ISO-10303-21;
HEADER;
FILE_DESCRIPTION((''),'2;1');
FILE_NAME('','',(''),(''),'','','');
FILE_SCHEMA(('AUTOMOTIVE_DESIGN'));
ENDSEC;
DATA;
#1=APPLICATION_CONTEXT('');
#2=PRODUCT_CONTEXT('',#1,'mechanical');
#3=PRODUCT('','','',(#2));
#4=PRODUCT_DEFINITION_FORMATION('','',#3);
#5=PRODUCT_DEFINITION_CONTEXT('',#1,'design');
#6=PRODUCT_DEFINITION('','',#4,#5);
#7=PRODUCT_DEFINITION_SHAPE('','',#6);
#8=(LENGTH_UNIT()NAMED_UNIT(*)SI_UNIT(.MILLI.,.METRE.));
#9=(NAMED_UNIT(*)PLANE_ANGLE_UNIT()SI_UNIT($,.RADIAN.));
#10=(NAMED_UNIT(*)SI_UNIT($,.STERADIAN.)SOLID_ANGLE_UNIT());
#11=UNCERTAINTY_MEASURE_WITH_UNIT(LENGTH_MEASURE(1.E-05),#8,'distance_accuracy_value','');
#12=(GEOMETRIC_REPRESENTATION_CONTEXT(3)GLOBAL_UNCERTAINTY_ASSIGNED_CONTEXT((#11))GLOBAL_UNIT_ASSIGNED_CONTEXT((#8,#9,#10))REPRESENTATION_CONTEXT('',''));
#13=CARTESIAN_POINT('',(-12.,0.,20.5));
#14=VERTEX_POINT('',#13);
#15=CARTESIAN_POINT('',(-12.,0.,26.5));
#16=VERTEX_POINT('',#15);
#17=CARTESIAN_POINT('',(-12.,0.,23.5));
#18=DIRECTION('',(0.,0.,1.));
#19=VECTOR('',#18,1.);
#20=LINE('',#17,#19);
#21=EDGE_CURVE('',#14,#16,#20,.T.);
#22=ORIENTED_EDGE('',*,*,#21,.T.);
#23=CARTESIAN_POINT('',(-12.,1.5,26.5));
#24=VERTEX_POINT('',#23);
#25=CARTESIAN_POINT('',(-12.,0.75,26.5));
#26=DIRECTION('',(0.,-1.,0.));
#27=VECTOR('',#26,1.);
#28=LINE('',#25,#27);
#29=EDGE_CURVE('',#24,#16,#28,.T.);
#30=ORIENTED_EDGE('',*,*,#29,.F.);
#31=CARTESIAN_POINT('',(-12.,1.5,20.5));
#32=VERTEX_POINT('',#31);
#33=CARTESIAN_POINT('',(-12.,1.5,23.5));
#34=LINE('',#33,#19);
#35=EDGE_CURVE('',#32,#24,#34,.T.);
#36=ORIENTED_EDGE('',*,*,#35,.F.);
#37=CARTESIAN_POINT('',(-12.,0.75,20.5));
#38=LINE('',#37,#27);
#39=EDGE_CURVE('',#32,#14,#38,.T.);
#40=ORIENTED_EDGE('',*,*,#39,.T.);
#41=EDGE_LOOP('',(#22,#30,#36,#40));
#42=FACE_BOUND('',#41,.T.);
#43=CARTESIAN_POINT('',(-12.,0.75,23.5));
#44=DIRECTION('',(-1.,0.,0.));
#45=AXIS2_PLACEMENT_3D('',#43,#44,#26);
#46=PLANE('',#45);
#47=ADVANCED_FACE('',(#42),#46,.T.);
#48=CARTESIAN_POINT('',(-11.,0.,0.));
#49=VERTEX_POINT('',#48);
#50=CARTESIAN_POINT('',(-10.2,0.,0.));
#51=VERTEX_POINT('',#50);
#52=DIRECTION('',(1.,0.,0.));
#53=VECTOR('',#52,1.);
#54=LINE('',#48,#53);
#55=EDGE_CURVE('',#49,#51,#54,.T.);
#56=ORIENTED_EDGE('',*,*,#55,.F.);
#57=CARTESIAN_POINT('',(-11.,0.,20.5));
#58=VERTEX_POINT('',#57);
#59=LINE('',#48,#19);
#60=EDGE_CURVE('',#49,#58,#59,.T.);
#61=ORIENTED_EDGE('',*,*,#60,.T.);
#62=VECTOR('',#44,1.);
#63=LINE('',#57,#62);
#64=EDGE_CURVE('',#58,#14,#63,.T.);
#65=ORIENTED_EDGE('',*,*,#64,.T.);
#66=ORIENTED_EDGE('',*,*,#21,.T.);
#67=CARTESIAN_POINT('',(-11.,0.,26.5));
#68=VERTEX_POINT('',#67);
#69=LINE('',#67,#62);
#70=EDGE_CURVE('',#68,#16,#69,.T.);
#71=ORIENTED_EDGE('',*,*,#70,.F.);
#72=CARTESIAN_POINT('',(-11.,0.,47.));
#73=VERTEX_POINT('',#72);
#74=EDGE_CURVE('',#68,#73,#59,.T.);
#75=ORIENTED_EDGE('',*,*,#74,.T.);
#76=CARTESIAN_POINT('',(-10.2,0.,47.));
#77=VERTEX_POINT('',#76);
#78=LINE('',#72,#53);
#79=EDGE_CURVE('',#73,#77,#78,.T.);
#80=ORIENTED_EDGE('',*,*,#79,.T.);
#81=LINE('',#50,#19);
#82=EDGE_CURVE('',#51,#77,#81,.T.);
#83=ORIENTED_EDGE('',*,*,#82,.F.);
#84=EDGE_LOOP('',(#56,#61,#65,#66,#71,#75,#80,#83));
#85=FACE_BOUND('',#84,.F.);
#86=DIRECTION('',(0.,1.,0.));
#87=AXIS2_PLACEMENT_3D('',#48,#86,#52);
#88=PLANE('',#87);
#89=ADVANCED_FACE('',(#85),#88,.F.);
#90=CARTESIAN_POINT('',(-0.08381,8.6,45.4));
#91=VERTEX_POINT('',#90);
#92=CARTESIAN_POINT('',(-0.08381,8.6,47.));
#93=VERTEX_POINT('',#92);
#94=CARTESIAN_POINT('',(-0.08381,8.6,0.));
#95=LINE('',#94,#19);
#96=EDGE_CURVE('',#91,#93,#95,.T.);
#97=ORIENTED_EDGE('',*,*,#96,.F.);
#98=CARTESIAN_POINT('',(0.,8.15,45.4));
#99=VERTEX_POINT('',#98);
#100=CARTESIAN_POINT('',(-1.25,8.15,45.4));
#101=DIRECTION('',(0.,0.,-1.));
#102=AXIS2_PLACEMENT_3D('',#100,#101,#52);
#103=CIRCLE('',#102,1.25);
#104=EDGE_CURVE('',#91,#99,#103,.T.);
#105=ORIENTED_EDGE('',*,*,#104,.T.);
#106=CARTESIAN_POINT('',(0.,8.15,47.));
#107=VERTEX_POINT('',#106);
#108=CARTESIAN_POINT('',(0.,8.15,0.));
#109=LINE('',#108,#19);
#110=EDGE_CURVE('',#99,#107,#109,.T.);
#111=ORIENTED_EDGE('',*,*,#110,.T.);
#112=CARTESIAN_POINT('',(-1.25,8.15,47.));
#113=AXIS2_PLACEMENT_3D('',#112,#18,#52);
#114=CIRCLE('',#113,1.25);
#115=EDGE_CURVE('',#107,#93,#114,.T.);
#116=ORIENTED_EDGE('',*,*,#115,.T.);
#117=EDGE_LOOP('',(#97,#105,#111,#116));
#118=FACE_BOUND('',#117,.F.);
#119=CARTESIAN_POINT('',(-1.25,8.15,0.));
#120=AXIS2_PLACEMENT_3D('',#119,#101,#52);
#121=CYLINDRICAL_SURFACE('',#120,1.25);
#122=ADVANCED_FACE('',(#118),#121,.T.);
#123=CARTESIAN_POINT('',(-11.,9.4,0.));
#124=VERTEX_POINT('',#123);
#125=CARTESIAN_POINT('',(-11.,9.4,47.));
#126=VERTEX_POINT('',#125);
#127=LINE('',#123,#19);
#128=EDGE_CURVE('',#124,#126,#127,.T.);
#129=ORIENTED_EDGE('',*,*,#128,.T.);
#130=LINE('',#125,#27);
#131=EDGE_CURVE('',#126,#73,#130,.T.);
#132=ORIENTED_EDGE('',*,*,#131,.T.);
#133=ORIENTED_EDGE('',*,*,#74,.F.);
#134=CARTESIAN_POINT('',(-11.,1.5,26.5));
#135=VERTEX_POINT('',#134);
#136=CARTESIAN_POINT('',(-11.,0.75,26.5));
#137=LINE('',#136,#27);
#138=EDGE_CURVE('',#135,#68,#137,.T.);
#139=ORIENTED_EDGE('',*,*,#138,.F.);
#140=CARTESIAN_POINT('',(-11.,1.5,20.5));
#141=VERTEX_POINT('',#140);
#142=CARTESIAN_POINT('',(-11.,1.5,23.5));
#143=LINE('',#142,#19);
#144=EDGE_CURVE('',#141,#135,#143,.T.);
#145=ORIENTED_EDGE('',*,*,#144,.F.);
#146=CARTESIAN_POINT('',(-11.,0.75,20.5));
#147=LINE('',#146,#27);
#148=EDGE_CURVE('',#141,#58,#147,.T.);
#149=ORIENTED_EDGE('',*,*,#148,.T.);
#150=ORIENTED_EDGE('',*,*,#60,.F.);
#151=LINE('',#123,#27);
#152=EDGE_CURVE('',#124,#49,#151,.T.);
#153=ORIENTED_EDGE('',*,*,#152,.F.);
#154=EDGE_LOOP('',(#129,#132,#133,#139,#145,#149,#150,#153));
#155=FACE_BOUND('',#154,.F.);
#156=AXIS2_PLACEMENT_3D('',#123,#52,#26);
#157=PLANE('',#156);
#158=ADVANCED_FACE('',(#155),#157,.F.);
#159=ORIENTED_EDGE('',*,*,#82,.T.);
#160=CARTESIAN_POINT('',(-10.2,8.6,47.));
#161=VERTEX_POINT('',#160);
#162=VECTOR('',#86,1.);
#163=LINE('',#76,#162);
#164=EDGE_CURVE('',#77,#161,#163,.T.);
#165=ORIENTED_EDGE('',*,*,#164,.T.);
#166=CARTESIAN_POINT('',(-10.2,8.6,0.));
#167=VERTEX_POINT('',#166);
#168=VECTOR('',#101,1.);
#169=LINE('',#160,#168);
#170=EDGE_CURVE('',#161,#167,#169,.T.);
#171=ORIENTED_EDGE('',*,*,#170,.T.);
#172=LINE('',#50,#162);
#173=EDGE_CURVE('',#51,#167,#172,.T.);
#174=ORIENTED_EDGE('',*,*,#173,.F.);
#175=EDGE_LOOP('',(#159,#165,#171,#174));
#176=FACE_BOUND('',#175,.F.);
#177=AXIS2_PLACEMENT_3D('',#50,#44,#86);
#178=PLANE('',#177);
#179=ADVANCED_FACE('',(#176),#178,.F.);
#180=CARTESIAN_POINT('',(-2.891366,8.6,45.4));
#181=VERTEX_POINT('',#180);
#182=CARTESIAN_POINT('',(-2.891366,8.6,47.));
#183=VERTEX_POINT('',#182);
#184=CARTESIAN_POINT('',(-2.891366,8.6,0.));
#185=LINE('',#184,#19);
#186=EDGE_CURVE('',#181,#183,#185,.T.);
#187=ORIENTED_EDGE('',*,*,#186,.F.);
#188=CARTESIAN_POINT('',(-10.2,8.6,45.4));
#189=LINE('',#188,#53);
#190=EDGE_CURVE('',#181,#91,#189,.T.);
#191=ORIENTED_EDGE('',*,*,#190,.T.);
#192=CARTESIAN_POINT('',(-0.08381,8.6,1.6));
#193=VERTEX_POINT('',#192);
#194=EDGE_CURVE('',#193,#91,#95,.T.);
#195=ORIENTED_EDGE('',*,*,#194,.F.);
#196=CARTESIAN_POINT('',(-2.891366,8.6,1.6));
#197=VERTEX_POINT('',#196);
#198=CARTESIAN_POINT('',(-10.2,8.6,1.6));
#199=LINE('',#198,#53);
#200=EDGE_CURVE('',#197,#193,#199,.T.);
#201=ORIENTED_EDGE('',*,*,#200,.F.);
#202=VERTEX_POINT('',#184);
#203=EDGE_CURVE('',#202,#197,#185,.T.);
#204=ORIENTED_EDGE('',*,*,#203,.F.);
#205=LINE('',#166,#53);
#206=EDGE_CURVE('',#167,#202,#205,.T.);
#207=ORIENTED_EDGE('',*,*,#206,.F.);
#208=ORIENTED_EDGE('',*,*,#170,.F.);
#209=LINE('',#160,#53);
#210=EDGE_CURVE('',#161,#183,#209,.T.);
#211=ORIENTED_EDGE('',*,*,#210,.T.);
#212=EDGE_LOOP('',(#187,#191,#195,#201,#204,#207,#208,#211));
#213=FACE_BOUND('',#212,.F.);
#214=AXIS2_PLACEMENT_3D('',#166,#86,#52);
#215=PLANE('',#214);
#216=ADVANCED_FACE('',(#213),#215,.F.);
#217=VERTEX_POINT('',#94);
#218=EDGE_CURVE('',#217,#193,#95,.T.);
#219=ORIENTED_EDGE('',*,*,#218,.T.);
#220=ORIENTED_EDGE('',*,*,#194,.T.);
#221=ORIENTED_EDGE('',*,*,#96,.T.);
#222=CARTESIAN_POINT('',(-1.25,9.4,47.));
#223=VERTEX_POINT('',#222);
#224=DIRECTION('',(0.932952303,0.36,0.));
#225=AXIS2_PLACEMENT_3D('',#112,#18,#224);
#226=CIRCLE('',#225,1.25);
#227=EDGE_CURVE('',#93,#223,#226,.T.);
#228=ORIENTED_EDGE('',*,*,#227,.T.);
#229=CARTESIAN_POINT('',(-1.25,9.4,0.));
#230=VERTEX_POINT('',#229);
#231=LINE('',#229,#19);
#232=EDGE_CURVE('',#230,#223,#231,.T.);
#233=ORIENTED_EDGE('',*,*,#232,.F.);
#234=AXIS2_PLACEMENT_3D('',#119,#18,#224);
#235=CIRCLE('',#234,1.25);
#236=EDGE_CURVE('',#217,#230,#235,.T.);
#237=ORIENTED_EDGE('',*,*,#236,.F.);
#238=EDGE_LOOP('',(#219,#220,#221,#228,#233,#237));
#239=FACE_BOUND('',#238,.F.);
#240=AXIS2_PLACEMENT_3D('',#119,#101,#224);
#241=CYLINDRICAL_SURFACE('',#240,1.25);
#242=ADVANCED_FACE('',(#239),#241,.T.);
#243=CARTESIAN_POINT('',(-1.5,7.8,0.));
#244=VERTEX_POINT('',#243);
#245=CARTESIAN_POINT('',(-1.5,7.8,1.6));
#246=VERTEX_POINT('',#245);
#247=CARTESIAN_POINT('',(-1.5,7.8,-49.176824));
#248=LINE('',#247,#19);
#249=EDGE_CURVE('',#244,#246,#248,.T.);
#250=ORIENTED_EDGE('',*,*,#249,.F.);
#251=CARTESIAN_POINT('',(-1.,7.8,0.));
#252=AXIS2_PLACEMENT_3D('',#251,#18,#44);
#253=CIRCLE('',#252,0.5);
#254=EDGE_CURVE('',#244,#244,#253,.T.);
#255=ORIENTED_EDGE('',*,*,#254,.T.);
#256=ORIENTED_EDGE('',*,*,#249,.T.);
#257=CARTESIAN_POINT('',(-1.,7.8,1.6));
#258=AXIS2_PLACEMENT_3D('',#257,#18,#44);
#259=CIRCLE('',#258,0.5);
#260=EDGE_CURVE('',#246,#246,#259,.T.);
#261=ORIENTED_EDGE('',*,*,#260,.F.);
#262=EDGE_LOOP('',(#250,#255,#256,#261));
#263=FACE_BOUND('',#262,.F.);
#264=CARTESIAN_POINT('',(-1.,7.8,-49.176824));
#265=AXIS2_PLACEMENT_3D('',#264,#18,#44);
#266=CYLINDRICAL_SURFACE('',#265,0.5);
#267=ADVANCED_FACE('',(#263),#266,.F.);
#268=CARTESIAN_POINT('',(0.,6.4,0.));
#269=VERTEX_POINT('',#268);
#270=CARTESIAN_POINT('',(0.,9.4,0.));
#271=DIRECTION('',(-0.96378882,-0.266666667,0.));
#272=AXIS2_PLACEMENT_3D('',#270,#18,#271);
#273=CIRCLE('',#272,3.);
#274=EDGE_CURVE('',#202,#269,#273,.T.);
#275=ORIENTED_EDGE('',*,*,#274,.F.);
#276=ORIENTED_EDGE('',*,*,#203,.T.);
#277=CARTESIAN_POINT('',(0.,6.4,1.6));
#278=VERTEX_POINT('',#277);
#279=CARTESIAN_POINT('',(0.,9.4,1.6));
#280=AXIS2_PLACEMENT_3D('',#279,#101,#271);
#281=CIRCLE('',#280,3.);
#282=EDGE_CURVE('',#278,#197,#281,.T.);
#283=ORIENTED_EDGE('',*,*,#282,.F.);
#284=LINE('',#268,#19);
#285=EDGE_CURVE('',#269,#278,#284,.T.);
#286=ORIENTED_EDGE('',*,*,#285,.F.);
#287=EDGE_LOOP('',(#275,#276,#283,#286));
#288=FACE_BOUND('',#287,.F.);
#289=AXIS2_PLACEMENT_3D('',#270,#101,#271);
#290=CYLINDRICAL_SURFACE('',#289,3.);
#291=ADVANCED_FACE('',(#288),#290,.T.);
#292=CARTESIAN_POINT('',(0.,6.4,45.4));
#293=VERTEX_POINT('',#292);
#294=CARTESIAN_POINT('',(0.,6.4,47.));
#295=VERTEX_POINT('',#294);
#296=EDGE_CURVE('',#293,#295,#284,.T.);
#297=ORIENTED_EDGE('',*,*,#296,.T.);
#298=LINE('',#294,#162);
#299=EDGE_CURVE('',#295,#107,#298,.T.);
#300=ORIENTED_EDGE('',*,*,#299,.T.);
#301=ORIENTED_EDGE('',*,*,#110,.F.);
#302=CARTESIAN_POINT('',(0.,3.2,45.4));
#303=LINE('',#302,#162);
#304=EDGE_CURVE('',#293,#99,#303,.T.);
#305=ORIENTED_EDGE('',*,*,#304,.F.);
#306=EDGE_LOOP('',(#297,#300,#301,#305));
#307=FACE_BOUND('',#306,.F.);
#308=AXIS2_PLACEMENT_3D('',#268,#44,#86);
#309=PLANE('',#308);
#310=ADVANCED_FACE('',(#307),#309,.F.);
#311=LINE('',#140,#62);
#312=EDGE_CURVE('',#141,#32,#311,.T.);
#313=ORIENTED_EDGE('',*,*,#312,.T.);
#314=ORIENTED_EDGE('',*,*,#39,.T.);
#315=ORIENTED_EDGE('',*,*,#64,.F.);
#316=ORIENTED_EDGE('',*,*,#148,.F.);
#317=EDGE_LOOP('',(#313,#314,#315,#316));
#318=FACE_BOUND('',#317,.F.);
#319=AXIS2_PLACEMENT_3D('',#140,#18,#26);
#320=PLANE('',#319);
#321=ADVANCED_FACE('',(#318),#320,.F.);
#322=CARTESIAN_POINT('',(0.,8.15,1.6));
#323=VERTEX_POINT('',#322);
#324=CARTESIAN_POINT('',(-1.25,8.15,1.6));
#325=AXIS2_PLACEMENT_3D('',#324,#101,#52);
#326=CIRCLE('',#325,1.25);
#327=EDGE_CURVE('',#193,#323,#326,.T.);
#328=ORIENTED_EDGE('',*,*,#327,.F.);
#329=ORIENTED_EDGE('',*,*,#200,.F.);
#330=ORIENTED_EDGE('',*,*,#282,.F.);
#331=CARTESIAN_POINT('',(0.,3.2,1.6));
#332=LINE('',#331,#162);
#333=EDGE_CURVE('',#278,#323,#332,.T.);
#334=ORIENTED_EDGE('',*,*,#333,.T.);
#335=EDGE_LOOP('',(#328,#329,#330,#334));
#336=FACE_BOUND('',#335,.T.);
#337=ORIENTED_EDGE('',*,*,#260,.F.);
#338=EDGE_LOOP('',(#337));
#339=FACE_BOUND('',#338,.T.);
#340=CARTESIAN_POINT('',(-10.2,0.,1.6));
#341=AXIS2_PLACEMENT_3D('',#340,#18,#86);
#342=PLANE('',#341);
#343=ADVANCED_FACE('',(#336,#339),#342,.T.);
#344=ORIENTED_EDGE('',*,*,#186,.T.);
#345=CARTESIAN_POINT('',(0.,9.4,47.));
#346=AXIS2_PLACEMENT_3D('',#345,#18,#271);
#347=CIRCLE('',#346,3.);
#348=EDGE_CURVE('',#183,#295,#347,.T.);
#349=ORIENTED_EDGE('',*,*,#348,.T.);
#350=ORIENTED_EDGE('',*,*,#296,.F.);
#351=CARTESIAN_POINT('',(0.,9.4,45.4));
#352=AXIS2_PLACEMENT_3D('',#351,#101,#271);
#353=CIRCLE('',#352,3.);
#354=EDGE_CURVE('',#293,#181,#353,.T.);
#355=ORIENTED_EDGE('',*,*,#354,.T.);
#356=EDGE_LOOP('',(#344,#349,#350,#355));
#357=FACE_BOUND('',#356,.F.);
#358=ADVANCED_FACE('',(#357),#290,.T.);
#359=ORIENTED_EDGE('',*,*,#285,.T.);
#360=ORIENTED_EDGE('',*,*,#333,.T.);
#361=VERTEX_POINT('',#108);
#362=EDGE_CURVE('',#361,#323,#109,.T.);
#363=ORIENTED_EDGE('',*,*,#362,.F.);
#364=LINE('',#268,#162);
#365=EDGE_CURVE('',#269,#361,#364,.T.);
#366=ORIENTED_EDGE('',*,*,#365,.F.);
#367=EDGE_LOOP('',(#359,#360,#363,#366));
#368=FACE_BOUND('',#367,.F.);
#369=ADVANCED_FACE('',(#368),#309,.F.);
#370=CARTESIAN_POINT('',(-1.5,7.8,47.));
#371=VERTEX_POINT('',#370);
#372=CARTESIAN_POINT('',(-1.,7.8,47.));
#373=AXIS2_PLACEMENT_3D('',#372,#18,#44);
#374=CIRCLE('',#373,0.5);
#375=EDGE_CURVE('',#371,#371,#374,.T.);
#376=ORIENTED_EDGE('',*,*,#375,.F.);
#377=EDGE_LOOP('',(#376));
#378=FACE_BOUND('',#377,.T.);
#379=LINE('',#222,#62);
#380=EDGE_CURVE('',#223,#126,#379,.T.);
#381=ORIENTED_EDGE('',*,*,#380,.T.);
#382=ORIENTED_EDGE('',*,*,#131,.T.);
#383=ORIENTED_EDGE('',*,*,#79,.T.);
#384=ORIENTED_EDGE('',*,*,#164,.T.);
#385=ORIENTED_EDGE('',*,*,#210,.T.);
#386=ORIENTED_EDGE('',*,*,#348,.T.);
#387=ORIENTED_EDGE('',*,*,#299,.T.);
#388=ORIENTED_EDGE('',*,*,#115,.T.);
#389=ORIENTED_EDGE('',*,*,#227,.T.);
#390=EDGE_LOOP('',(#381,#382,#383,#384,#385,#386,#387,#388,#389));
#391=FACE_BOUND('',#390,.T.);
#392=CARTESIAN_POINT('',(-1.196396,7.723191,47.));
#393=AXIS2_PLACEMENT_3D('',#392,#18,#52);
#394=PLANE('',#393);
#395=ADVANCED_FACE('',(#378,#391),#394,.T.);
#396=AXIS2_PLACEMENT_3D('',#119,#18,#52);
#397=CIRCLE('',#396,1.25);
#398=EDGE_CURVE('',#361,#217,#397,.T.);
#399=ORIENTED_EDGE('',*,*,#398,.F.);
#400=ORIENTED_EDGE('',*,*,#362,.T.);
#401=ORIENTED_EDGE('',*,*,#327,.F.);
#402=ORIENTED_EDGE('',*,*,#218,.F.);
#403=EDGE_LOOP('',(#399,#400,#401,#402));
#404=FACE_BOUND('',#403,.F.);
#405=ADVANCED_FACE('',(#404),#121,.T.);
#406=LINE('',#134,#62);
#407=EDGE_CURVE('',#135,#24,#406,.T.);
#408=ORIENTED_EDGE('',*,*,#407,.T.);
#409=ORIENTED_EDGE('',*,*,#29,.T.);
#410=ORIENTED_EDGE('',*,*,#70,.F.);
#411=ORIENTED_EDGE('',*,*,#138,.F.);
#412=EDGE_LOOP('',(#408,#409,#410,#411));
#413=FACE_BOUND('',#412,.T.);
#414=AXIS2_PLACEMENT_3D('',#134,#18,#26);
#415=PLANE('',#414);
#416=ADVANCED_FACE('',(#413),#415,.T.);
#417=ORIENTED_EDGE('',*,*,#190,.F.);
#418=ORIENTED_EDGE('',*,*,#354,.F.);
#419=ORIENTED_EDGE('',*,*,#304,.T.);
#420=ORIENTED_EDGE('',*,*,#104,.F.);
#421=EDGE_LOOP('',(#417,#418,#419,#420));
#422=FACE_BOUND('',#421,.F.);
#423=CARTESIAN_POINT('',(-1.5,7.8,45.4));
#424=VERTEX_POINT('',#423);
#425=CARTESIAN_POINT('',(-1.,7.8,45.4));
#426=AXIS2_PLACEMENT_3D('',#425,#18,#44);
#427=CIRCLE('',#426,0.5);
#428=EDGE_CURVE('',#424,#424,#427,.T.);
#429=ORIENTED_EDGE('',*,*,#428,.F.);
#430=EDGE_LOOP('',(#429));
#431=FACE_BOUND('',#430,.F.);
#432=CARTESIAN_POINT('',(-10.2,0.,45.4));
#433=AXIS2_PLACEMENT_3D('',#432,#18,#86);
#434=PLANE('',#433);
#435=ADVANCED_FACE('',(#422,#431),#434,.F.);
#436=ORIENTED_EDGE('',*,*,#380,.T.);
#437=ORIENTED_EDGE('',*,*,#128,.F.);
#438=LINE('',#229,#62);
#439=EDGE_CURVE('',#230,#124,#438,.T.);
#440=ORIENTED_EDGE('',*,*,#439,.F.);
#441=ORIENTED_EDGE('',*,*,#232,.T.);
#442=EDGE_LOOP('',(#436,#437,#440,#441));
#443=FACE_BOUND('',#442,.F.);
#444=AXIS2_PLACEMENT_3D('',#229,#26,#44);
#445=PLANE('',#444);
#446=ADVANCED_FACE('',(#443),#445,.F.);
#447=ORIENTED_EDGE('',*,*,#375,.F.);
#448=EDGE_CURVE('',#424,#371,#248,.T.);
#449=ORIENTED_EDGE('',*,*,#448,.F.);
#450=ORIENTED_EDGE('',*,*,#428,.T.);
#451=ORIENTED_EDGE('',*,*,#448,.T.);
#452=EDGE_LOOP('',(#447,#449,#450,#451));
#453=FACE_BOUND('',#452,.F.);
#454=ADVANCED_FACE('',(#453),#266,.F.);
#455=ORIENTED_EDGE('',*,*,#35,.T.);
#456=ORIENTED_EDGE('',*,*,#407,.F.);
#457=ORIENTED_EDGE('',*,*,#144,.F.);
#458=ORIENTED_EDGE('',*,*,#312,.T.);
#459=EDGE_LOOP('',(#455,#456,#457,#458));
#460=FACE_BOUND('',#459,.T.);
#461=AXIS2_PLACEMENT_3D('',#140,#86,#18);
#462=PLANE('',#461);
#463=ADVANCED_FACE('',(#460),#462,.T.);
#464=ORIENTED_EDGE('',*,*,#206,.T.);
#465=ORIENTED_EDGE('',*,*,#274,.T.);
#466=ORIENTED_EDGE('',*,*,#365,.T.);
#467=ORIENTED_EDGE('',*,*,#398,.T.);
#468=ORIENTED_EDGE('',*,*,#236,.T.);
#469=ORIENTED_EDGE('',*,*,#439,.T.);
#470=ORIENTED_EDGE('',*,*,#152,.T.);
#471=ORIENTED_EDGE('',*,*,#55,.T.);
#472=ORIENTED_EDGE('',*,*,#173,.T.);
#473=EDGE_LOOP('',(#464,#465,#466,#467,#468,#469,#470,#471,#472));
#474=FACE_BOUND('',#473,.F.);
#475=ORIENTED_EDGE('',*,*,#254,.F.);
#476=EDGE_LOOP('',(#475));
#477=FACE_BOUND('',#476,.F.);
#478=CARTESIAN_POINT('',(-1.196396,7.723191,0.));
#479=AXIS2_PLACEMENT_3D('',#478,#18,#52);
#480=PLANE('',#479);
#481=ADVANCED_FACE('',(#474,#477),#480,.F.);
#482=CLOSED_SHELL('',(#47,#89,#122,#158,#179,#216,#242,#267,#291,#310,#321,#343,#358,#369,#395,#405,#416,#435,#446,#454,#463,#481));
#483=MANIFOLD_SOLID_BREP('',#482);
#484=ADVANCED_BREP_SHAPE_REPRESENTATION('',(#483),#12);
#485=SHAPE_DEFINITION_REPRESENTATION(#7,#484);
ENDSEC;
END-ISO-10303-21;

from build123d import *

# Parameters (mm, degrees)
F1_DEPTH = 47
F2_W     = 8.6
F2_H     = 43.8
F3_DEPTH = 25
F4_D     = 1
F5_W     = 1.5
F5_H     = 6
F6_DEPTH = 1


with BuildPart() as f1:
    # F0 (on Top) → F1 (new body)
    with BuildSketch(Plane.XY):
        with BuildLine():
            ThreePointArc((-2.891366459, 8.6), (-1.8165902125, 7.0125327227), (0, 6.4))
            Line((0, 6.4), (0, 8.15))
            ThreePointArc((0, 8.15), (-0.0211310131, 8.3788689869), (-0.083809621, 8.6))
            Line((-0.083809621, 8.6), (-2.891366459, 8.6))
        make_face()
        with BuildLine():
            Line((-10.2, 9.4), (-10.2, 8.6))
            Line((-10.2, 8.6), (-2.891366459, 8.6))
            Line((-2.891366459, 8.6), (-0.083809621, 8.6))
            ThreePointArc((-0.083809621, 8.6), (-0.5428932188, 9.1807764064), (-1.25, 9.4))
            Line((-1.25, 9.4), (-10.2, 9.4))
        make_face()
        Polygon((-11, 0), (-10.2, 0), (-10.2, 8.6), (-10.2, 9.4), (-11, 9.4), align=None)
    extrude(amount=F1_DEPTH)

    # F2 (on face) → F3 (cut)
    with BuildSketch(Plane.YZ.offset(-10.2)):
        with Locations((4.3, 23.5)):
            Rectangle(F2_W, F2_H)
    extrude(amount=F3_DEPTH, mode=Mode.SUBTRACT)

    # F4 (through all)
    with Locations(Plane(origin=(0, 0, 0), x_dir=(1, 0, 0), z_dir=(0, 0, -1))):
        with Locations((-1, -7.8)):
            Hole(F4_D / 2)

    # F5 (on face) → F6 (join)
    with BuildSketch(Plane(origin=(-11, 0, 0), x_dir=(0, -1, 0), z_dir=(-1, 0, 0))):
        with Locations((-0.75, 23.5)):
            Rectangle(F5_W, F5_H)
    extrude(amount=F6_DEPTH)


solid = f1.part
